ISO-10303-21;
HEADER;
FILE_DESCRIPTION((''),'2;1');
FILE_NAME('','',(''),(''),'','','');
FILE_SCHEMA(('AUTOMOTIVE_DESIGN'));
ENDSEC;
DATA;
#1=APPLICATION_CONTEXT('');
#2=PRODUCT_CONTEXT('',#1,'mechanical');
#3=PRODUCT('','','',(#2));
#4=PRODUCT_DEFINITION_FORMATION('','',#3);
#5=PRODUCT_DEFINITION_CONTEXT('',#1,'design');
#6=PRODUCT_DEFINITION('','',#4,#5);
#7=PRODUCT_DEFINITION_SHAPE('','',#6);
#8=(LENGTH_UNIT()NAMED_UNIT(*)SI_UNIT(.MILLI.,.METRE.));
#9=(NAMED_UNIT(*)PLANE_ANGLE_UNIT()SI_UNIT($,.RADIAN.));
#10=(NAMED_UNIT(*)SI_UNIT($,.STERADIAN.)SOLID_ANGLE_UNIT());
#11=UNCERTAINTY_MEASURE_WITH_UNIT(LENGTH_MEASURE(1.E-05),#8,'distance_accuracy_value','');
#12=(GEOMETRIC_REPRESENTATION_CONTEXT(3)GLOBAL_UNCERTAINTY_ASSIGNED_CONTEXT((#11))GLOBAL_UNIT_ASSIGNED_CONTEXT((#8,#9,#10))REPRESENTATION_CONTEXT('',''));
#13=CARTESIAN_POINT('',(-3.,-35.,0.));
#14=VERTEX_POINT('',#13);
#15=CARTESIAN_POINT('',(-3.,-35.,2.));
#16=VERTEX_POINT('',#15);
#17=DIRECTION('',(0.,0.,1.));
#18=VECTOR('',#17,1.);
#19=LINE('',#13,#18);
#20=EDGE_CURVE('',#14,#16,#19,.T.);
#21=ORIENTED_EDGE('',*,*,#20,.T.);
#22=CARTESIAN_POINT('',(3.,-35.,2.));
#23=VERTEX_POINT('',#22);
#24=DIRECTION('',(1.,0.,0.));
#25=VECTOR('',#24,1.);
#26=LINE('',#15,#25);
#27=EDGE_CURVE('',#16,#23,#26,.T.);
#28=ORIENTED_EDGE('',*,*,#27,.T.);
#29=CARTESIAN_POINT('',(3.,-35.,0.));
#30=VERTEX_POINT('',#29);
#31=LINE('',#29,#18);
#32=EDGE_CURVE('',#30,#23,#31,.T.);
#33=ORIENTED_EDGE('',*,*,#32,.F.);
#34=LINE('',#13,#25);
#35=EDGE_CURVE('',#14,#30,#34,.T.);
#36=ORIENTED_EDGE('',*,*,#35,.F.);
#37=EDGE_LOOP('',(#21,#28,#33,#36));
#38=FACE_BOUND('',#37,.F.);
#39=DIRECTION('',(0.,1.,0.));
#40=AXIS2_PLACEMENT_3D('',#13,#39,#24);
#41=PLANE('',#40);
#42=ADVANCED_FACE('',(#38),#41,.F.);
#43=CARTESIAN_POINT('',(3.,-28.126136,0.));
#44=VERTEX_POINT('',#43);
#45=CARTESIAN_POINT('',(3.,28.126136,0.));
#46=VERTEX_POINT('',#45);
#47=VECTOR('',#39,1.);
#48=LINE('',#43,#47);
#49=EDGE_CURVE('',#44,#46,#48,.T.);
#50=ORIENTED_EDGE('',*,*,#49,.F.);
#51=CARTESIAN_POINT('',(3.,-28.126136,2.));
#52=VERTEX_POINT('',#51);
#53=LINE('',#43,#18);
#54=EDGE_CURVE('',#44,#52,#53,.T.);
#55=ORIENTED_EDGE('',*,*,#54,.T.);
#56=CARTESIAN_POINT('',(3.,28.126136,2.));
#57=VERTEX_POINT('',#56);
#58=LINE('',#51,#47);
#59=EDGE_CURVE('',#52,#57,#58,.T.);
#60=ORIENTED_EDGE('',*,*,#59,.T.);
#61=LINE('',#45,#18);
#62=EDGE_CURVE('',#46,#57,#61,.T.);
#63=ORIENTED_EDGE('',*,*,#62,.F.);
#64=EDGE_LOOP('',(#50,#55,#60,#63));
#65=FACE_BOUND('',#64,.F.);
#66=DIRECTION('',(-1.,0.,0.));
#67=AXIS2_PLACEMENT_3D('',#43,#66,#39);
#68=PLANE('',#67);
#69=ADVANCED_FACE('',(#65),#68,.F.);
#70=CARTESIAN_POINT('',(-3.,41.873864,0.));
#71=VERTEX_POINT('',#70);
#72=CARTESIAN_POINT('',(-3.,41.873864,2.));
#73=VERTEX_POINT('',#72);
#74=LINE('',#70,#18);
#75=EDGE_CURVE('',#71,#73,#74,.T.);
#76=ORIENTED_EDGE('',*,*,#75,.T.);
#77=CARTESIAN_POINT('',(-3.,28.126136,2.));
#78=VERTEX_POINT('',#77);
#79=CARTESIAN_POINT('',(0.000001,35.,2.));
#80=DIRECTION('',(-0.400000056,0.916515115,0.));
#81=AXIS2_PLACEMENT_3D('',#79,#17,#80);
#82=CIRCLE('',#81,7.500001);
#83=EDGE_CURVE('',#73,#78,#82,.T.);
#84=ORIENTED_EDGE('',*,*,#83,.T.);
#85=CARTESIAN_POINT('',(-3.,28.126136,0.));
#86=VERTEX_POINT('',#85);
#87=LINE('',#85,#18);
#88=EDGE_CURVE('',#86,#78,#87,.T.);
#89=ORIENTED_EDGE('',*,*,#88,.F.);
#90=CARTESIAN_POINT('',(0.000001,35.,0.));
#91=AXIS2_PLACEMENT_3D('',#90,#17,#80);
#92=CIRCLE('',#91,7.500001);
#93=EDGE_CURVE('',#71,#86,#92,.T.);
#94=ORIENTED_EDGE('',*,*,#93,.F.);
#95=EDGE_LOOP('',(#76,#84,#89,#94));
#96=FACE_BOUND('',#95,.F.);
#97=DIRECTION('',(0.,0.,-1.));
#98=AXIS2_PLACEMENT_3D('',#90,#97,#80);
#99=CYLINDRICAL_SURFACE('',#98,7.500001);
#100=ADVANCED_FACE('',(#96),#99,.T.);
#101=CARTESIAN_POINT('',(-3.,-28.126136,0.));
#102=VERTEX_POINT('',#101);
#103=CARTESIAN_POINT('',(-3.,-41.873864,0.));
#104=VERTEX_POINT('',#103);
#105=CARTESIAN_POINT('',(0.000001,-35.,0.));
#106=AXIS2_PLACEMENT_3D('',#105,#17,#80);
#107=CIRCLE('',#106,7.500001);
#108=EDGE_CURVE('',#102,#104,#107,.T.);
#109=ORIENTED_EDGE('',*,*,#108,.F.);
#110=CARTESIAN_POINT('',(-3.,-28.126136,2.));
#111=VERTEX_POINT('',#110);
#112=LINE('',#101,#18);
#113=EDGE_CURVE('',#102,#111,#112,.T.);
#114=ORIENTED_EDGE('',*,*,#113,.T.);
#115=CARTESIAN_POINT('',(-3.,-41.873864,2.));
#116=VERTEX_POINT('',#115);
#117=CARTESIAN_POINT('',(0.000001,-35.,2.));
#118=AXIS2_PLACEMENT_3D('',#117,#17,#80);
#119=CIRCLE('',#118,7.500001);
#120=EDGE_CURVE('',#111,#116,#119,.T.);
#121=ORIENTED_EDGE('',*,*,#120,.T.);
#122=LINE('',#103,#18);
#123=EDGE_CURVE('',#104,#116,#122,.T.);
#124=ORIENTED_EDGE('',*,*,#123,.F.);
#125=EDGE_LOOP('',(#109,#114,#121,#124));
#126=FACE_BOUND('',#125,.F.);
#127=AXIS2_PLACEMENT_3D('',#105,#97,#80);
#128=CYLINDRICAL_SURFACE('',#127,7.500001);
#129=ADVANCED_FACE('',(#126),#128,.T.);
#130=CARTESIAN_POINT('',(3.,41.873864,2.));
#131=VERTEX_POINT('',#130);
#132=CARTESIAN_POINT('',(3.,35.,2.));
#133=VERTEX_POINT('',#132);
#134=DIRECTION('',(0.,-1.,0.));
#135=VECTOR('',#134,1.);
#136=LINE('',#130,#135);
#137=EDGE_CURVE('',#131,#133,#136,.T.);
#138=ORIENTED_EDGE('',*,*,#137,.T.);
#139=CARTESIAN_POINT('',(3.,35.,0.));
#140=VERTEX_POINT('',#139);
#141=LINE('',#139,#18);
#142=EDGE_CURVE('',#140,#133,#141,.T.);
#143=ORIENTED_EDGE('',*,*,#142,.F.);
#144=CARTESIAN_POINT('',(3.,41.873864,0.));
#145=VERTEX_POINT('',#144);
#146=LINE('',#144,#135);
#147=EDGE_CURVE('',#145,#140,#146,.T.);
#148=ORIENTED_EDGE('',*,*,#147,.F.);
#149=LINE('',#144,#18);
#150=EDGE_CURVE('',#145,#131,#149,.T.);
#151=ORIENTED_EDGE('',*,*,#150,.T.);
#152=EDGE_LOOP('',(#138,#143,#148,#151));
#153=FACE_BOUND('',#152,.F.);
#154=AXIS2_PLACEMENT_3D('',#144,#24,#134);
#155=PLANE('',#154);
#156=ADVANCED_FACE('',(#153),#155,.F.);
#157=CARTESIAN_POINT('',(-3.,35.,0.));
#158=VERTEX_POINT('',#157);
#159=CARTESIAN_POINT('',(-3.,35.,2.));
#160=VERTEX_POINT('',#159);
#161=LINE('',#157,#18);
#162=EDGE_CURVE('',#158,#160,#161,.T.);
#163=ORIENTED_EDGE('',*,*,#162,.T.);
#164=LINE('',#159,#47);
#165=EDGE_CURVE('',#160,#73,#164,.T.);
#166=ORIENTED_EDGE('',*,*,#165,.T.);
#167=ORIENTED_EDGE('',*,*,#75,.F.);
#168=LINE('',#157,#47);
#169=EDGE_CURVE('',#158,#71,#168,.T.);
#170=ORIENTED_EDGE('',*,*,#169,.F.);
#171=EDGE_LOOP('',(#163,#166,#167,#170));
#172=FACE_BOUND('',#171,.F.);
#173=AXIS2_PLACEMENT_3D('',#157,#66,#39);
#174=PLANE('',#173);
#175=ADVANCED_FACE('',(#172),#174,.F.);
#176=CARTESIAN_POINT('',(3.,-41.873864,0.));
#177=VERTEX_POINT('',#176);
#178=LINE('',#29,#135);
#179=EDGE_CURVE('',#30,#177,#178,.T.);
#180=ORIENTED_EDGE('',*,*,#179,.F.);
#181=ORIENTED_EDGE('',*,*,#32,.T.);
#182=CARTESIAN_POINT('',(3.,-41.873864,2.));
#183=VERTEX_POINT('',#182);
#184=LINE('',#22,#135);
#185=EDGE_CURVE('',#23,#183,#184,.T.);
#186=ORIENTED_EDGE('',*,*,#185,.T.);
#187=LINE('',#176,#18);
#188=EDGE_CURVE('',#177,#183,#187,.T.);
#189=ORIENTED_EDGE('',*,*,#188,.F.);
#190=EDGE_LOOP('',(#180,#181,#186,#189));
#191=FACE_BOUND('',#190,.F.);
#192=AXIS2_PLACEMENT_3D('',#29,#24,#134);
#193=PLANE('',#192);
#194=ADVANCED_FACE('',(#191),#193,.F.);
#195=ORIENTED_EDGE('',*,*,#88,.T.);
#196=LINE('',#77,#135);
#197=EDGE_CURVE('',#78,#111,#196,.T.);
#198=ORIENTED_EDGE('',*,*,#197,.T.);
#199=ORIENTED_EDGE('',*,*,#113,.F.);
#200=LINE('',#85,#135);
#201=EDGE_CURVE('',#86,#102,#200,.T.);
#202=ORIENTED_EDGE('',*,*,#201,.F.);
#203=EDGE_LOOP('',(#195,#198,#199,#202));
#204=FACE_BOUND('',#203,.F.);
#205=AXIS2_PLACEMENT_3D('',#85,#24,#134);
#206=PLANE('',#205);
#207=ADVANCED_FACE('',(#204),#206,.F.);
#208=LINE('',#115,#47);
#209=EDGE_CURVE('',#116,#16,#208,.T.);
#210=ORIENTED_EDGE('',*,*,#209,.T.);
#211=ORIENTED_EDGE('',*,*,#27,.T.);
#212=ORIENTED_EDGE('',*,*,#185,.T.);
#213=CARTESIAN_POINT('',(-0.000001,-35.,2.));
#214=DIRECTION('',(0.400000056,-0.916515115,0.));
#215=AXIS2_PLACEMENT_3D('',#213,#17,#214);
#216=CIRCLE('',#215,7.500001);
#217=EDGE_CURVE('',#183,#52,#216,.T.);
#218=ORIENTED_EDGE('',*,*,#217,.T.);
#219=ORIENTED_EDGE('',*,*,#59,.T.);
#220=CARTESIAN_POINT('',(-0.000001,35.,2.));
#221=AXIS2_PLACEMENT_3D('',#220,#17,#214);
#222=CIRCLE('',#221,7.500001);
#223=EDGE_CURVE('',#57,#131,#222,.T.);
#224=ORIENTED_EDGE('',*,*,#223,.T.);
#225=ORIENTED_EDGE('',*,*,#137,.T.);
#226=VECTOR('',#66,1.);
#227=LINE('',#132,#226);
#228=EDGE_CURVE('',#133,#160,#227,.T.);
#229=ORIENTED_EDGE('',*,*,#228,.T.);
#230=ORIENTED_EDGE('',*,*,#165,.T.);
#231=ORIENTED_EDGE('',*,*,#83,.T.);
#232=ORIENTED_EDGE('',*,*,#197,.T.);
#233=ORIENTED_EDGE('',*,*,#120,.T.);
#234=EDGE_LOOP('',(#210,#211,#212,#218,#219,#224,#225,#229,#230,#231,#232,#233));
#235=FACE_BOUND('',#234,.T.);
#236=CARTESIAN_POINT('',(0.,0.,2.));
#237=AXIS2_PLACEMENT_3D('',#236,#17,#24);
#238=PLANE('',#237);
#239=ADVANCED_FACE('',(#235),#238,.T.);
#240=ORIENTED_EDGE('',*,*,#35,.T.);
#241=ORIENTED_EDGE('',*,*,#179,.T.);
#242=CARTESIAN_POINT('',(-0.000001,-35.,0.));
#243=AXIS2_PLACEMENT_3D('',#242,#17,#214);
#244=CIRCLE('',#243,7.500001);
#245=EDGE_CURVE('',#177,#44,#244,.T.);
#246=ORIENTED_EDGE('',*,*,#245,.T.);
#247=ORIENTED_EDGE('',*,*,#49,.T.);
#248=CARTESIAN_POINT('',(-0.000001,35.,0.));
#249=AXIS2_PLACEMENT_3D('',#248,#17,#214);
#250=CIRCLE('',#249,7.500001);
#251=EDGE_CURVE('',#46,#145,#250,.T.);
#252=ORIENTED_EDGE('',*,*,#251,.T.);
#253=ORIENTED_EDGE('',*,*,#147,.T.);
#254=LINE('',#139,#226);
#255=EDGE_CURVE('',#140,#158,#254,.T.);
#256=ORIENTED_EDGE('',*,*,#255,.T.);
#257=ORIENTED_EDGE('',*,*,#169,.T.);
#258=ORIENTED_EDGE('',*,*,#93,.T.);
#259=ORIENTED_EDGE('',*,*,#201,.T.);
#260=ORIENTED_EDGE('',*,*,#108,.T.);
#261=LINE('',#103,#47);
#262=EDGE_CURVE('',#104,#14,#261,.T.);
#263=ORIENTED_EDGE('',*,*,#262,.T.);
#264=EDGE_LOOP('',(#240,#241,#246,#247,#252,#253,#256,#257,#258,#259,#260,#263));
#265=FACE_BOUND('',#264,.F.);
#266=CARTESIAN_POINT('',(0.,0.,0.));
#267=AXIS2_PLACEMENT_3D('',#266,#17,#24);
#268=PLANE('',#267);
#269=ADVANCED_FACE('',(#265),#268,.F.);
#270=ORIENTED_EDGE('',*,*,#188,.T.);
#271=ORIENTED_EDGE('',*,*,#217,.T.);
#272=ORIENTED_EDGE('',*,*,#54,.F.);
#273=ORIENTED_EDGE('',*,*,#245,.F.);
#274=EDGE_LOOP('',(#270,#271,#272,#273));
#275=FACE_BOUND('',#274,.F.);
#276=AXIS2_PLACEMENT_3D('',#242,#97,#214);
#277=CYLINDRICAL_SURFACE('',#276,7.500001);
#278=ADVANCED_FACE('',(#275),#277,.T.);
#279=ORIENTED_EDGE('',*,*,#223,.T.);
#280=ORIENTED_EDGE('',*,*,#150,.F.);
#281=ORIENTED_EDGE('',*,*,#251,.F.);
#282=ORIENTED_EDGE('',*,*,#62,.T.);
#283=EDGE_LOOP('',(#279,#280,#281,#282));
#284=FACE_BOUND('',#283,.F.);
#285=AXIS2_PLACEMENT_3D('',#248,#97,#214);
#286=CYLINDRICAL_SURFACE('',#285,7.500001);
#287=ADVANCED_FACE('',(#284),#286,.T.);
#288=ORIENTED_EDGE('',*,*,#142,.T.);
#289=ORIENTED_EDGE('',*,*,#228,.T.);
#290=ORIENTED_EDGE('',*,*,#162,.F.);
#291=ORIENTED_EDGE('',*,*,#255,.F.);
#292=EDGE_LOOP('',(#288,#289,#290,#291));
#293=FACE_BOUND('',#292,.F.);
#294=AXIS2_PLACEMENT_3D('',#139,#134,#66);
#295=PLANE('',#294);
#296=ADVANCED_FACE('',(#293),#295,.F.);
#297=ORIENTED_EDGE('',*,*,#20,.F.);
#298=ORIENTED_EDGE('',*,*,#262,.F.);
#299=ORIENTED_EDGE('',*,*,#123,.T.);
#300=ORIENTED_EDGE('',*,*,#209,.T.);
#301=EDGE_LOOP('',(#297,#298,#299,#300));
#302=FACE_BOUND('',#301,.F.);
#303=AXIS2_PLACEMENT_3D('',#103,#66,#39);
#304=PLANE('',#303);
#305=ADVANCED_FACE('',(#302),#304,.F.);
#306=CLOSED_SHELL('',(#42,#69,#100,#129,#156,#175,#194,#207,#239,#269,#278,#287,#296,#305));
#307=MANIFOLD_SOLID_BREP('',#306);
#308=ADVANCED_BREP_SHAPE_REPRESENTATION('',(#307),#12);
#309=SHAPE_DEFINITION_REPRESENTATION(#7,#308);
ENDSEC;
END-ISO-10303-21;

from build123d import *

# Parameters (mm, degrees)
F1_DEPTH = 2


with BuildPart() as f1:
    # F0 (on Top) → F1 (new body)
    with BuildSketch(Plane.XY):
        with BuildLine():
            Line((3, -28.126136), (3, 0))
            Line((3, 0), (3, 28.126136))
            ThreePointArc((3, 28.126136), (7.5, 35), (3, 41.873864))
            Line((3, 41.873864), (3, 35))
            Line((3, 35), (-3, 35))
            Line((-3, 35), (-3, 41.873864))
            ThreePointArc((-3, 41.873864), (-7.5, 35), (-3, 28.126136))
            Line((-3, 28.126136), (-3, 0))
            Line((-3, 0), (-3, -28.126136))
            ThreePointArc((-3, -28.126136), (-7.5, -35), (-3, -41.873864))
            Line((-3, -41.873864), (-3, -35))
            Line((-3, -35), (3, -35))
            Line((3, -35), (3, -41.873864))
            ThreePointArc((3, -41.873864), (7.5, -35), (3, -28.126136))
        make_face()
    extrude(amount=F1_DEPTH)


solid = f1.part
